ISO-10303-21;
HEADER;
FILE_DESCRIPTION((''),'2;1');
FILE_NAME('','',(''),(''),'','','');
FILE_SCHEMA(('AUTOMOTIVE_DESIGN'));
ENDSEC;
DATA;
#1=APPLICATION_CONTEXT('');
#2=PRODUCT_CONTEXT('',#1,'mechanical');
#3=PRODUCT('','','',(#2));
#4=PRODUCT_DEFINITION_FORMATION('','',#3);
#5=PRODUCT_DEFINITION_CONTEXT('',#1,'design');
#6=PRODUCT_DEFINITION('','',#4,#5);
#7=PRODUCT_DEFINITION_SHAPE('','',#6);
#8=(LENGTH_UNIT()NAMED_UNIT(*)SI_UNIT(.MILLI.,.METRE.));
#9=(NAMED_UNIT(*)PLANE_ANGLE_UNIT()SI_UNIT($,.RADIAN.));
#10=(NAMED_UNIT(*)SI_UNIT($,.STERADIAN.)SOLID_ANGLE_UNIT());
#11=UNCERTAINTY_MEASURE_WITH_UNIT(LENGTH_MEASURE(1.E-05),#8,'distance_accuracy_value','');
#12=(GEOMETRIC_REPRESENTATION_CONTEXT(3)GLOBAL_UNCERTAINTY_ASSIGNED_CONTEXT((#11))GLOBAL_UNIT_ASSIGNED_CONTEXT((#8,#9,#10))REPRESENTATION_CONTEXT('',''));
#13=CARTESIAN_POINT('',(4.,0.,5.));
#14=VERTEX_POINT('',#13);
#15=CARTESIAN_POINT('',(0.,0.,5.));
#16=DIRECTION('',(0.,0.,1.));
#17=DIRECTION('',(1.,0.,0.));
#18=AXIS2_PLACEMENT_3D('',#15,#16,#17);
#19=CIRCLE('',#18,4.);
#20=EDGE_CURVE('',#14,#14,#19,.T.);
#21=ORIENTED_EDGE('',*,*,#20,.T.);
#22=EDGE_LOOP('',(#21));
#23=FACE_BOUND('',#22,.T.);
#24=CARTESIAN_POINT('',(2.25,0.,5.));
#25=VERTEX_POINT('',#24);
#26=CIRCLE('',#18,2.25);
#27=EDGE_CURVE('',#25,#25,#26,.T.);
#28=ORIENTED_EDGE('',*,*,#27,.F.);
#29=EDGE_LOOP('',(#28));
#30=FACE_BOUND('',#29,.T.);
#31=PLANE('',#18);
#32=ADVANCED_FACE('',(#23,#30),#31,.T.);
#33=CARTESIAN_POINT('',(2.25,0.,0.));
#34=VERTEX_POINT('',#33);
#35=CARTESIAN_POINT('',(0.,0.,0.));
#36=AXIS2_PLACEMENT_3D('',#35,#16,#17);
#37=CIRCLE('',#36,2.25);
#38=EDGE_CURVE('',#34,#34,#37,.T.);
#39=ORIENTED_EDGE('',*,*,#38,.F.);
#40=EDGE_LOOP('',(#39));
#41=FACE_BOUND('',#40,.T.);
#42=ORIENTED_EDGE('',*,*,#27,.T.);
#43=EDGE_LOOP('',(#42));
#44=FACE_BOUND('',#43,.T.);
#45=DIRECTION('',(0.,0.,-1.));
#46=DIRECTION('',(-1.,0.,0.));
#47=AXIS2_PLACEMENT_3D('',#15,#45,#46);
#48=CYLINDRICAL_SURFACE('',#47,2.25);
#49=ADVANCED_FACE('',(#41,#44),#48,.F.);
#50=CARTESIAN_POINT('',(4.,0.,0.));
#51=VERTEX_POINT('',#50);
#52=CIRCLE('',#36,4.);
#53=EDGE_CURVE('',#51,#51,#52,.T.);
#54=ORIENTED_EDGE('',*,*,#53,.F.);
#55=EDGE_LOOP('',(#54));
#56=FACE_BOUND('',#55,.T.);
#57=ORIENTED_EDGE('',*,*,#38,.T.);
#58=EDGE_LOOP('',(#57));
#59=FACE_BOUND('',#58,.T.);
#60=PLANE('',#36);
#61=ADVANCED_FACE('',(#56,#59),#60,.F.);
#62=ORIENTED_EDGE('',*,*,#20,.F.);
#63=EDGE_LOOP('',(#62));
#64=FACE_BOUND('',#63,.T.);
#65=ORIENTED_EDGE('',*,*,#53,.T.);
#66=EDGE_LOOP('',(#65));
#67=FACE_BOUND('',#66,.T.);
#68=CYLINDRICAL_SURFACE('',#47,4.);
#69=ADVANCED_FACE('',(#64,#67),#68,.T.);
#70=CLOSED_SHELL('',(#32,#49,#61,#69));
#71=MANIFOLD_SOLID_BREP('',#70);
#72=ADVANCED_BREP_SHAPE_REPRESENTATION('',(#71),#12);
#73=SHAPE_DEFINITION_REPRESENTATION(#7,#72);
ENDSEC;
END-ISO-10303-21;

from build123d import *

# Parameters (mm, degrees)
SKETCH1_R           = 4
SKETCH1_R_2         = 2.25
BOSS_EXTRUDE1_DEPTH = 5


with BuildPart() as part:
    # Sketch1 → Boss-Extrude1 (new body)
    with BuildSketch(Plane.XY):
        Circle(SKETCH1_R)
        Circle(SKETCH1_R_2, mode=Mode.SUBTRACT)
    extrude(amount=BOSS_EXTRUDE1_DEPTH)


solid = part.part
